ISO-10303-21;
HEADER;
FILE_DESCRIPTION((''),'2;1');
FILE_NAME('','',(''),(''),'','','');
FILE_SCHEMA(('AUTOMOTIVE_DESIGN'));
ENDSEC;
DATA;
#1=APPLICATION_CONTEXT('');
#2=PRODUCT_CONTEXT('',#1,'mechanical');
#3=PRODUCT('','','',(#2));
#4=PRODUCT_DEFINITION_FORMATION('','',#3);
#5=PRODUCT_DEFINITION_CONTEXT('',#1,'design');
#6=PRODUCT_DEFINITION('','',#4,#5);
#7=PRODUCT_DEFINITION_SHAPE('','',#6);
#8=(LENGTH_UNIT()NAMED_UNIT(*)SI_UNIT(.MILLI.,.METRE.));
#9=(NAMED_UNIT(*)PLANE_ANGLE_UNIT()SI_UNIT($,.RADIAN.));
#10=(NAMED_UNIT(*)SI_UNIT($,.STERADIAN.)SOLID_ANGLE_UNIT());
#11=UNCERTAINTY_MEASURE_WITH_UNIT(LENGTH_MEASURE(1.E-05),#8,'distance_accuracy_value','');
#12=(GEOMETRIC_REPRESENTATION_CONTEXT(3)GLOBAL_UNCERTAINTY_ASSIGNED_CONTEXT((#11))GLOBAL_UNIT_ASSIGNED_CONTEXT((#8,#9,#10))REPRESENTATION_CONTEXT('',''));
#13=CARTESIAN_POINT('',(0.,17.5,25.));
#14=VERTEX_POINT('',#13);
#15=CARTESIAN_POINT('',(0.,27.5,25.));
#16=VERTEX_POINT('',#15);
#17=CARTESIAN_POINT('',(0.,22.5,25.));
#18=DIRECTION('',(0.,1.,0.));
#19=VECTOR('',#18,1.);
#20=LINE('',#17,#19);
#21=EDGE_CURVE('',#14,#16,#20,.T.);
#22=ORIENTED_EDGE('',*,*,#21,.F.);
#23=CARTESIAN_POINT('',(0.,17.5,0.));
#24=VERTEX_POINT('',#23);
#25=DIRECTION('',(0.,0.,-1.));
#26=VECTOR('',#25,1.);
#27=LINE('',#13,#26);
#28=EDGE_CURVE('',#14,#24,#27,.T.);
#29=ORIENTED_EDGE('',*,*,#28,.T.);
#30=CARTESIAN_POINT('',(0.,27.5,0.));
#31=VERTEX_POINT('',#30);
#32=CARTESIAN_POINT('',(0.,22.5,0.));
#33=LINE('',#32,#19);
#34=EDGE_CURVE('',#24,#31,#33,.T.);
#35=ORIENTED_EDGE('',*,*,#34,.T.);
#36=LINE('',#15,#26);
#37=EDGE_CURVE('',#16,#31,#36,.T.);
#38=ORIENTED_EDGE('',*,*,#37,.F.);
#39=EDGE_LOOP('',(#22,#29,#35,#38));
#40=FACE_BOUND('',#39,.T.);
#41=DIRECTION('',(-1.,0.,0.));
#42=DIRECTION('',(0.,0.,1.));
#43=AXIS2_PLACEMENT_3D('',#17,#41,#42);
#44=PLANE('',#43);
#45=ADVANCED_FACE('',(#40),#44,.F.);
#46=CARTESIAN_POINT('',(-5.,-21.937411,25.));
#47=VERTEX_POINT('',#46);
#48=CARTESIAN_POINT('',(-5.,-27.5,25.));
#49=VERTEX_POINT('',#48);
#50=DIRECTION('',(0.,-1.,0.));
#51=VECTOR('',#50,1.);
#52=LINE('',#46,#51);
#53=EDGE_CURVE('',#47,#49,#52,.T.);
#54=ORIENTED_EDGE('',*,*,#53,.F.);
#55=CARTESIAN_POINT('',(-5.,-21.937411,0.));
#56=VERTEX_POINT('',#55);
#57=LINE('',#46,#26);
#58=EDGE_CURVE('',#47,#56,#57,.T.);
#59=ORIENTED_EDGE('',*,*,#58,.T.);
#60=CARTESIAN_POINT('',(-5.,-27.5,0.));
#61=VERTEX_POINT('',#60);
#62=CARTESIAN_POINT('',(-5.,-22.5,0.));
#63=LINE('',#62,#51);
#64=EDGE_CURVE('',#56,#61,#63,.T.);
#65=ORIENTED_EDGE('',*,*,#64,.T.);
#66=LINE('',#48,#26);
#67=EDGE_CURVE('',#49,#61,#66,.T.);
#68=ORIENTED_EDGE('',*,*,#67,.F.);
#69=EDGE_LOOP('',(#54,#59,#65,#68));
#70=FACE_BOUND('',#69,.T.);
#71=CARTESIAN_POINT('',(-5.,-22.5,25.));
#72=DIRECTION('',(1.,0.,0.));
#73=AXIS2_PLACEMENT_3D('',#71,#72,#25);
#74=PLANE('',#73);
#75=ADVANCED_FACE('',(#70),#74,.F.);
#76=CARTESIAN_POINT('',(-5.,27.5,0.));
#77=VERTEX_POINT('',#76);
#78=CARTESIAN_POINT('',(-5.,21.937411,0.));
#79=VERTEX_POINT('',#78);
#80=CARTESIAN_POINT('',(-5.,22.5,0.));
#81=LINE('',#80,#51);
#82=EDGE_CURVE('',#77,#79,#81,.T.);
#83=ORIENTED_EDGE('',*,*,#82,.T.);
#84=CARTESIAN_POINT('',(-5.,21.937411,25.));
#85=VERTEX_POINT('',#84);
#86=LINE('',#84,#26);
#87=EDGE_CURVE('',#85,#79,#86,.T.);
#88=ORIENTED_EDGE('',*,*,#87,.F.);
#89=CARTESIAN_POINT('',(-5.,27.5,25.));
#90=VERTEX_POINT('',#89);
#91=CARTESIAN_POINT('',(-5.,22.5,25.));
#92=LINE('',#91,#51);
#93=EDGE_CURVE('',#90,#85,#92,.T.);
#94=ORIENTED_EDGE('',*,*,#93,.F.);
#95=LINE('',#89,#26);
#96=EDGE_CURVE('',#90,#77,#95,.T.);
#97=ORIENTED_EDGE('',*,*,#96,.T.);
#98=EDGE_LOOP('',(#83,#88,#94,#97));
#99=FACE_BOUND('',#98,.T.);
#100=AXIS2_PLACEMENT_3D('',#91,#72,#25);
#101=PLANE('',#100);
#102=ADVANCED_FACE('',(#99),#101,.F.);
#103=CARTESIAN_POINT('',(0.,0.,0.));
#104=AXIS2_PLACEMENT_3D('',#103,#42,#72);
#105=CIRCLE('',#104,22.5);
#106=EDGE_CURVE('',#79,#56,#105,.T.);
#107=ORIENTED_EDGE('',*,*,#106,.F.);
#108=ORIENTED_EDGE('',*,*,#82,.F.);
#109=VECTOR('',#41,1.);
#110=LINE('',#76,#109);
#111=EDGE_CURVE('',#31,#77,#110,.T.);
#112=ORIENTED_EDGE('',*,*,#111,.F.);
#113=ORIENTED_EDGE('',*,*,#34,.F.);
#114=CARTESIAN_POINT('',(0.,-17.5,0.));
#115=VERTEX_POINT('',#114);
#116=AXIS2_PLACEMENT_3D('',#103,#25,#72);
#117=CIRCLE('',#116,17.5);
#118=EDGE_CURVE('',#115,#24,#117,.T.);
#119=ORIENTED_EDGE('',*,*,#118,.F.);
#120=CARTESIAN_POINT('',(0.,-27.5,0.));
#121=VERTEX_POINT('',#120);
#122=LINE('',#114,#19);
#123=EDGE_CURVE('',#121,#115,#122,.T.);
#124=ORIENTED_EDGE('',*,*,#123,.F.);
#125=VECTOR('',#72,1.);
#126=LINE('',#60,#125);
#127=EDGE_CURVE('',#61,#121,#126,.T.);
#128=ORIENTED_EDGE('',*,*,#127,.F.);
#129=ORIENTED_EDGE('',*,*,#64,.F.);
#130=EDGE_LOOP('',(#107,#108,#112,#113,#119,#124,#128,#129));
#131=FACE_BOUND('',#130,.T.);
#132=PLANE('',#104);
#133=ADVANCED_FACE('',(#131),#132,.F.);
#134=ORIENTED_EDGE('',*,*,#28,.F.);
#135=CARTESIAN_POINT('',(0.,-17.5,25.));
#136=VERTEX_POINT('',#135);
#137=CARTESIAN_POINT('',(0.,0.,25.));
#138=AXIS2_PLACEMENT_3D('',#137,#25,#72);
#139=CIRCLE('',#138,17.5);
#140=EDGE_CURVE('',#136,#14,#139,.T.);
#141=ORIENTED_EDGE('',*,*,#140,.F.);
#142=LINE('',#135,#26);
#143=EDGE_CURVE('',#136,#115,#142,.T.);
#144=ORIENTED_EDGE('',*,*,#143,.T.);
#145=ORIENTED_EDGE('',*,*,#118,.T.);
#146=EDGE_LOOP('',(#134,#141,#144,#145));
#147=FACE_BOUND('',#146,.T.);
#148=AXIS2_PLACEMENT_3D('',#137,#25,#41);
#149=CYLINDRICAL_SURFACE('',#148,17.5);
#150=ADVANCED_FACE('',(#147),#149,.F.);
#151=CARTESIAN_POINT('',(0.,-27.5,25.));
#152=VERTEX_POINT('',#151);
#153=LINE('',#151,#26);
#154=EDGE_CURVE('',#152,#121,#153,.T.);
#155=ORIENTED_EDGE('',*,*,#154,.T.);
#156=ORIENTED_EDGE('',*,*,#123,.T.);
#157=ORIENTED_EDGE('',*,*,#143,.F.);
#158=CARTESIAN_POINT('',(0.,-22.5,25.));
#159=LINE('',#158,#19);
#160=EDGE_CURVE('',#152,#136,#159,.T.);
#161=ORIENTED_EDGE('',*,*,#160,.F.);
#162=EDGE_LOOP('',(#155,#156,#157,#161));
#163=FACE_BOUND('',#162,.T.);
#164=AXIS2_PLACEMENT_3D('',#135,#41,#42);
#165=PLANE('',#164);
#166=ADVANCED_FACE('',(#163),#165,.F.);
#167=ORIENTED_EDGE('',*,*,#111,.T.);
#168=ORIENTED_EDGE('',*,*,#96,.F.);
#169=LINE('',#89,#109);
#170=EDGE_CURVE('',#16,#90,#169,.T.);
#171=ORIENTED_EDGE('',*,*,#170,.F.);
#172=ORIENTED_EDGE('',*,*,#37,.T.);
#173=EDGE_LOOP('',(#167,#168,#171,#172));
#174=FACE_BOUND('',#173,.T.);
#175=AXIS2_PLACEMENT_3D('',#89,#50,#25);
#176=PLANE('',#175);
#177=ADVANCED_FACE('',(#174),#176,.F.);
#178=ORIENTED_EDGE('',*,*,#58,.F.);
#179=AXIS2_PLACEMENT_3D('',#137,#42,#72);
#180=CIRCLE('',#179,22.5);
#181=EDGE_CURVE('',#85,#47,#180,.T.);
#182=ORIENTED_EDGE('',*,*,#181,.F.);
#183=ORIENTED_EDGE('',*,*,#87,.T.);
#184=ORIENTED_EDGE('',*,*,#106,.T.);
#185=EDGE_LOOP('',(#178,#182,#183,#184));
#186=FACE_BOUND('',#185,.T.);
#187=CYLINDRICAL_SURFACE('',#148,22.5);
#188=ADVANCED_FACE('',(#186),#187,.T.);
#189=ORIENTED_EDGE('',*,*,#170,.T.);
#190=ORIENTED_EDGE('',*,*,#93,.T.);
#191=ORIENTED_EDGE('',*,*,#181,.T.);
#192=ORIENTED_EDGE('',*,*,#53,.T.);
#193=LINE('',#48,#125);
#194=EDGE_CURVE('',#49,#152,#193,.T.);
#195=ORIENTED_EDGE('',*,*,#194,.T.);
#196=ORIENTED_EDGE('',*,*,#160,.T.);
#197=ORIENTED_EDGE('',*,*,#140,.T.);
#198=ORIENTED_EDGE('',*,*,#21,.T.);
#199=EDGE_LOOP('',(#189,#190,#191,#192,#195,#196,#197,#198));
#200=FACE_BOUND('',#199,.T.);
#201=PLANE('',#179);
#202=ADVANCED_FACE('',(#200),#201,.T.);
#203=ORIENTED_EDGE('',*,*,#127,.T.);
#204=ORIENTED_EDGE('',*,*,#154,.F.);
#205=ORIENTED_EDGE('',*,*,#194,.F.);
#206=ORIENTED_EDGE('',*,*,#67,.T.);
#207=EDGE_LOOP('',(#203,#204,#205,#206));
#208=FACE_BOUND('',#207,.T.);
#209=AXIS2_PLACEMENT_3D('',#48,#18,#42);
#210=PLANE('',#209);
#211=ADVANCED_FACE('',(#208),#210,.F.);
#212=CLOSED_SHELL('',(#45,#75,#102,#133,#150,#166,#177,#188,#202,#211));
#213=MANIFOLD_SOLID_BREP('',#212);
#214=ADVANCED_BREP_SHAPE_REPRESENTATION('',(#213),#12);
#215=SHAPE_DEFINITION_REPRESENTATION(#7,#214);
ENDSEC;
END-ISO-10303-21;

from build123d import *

# Parameters (mm, degrees)
BOSS_EXTRUDE1_DEPTH = 25


with BuildPart() as part:
    # Sketch4 → Boss-Extrude1 (new body)
    with BuildSketch(Plane.XY):
        with BuildLine():
            Line((0, 22.5), (0, 17.5))
            ThreePointArc((0, 17.5), (-17.5, 0), (0, -17.5))
            Line((0, -17.5), (0, -22.5))
            Line((0, -22.5), (0, -27.5))
            Line((0, -27.5), (-5, -27.5))
            Line((-5, -27.5), (-5, -22.5))
            Line((-5, -22.5), (-5, -21.937410968))
            ThreePointArc((-5, -21.937410968), (-22.5, 0), (-5, 21.937410968))
            Line((-5, 21.937410968), (-5, 22.5))
            Line((-5, 22.5), (-5, 27.5))
            Line((-5, 27.5), (0, 27.5))
            Line((0, 27.5), (0, 22.5))
        make_face()
    extrude(amount=BOSS_EXTRUDE1_DEPTH)


solid = part.part
